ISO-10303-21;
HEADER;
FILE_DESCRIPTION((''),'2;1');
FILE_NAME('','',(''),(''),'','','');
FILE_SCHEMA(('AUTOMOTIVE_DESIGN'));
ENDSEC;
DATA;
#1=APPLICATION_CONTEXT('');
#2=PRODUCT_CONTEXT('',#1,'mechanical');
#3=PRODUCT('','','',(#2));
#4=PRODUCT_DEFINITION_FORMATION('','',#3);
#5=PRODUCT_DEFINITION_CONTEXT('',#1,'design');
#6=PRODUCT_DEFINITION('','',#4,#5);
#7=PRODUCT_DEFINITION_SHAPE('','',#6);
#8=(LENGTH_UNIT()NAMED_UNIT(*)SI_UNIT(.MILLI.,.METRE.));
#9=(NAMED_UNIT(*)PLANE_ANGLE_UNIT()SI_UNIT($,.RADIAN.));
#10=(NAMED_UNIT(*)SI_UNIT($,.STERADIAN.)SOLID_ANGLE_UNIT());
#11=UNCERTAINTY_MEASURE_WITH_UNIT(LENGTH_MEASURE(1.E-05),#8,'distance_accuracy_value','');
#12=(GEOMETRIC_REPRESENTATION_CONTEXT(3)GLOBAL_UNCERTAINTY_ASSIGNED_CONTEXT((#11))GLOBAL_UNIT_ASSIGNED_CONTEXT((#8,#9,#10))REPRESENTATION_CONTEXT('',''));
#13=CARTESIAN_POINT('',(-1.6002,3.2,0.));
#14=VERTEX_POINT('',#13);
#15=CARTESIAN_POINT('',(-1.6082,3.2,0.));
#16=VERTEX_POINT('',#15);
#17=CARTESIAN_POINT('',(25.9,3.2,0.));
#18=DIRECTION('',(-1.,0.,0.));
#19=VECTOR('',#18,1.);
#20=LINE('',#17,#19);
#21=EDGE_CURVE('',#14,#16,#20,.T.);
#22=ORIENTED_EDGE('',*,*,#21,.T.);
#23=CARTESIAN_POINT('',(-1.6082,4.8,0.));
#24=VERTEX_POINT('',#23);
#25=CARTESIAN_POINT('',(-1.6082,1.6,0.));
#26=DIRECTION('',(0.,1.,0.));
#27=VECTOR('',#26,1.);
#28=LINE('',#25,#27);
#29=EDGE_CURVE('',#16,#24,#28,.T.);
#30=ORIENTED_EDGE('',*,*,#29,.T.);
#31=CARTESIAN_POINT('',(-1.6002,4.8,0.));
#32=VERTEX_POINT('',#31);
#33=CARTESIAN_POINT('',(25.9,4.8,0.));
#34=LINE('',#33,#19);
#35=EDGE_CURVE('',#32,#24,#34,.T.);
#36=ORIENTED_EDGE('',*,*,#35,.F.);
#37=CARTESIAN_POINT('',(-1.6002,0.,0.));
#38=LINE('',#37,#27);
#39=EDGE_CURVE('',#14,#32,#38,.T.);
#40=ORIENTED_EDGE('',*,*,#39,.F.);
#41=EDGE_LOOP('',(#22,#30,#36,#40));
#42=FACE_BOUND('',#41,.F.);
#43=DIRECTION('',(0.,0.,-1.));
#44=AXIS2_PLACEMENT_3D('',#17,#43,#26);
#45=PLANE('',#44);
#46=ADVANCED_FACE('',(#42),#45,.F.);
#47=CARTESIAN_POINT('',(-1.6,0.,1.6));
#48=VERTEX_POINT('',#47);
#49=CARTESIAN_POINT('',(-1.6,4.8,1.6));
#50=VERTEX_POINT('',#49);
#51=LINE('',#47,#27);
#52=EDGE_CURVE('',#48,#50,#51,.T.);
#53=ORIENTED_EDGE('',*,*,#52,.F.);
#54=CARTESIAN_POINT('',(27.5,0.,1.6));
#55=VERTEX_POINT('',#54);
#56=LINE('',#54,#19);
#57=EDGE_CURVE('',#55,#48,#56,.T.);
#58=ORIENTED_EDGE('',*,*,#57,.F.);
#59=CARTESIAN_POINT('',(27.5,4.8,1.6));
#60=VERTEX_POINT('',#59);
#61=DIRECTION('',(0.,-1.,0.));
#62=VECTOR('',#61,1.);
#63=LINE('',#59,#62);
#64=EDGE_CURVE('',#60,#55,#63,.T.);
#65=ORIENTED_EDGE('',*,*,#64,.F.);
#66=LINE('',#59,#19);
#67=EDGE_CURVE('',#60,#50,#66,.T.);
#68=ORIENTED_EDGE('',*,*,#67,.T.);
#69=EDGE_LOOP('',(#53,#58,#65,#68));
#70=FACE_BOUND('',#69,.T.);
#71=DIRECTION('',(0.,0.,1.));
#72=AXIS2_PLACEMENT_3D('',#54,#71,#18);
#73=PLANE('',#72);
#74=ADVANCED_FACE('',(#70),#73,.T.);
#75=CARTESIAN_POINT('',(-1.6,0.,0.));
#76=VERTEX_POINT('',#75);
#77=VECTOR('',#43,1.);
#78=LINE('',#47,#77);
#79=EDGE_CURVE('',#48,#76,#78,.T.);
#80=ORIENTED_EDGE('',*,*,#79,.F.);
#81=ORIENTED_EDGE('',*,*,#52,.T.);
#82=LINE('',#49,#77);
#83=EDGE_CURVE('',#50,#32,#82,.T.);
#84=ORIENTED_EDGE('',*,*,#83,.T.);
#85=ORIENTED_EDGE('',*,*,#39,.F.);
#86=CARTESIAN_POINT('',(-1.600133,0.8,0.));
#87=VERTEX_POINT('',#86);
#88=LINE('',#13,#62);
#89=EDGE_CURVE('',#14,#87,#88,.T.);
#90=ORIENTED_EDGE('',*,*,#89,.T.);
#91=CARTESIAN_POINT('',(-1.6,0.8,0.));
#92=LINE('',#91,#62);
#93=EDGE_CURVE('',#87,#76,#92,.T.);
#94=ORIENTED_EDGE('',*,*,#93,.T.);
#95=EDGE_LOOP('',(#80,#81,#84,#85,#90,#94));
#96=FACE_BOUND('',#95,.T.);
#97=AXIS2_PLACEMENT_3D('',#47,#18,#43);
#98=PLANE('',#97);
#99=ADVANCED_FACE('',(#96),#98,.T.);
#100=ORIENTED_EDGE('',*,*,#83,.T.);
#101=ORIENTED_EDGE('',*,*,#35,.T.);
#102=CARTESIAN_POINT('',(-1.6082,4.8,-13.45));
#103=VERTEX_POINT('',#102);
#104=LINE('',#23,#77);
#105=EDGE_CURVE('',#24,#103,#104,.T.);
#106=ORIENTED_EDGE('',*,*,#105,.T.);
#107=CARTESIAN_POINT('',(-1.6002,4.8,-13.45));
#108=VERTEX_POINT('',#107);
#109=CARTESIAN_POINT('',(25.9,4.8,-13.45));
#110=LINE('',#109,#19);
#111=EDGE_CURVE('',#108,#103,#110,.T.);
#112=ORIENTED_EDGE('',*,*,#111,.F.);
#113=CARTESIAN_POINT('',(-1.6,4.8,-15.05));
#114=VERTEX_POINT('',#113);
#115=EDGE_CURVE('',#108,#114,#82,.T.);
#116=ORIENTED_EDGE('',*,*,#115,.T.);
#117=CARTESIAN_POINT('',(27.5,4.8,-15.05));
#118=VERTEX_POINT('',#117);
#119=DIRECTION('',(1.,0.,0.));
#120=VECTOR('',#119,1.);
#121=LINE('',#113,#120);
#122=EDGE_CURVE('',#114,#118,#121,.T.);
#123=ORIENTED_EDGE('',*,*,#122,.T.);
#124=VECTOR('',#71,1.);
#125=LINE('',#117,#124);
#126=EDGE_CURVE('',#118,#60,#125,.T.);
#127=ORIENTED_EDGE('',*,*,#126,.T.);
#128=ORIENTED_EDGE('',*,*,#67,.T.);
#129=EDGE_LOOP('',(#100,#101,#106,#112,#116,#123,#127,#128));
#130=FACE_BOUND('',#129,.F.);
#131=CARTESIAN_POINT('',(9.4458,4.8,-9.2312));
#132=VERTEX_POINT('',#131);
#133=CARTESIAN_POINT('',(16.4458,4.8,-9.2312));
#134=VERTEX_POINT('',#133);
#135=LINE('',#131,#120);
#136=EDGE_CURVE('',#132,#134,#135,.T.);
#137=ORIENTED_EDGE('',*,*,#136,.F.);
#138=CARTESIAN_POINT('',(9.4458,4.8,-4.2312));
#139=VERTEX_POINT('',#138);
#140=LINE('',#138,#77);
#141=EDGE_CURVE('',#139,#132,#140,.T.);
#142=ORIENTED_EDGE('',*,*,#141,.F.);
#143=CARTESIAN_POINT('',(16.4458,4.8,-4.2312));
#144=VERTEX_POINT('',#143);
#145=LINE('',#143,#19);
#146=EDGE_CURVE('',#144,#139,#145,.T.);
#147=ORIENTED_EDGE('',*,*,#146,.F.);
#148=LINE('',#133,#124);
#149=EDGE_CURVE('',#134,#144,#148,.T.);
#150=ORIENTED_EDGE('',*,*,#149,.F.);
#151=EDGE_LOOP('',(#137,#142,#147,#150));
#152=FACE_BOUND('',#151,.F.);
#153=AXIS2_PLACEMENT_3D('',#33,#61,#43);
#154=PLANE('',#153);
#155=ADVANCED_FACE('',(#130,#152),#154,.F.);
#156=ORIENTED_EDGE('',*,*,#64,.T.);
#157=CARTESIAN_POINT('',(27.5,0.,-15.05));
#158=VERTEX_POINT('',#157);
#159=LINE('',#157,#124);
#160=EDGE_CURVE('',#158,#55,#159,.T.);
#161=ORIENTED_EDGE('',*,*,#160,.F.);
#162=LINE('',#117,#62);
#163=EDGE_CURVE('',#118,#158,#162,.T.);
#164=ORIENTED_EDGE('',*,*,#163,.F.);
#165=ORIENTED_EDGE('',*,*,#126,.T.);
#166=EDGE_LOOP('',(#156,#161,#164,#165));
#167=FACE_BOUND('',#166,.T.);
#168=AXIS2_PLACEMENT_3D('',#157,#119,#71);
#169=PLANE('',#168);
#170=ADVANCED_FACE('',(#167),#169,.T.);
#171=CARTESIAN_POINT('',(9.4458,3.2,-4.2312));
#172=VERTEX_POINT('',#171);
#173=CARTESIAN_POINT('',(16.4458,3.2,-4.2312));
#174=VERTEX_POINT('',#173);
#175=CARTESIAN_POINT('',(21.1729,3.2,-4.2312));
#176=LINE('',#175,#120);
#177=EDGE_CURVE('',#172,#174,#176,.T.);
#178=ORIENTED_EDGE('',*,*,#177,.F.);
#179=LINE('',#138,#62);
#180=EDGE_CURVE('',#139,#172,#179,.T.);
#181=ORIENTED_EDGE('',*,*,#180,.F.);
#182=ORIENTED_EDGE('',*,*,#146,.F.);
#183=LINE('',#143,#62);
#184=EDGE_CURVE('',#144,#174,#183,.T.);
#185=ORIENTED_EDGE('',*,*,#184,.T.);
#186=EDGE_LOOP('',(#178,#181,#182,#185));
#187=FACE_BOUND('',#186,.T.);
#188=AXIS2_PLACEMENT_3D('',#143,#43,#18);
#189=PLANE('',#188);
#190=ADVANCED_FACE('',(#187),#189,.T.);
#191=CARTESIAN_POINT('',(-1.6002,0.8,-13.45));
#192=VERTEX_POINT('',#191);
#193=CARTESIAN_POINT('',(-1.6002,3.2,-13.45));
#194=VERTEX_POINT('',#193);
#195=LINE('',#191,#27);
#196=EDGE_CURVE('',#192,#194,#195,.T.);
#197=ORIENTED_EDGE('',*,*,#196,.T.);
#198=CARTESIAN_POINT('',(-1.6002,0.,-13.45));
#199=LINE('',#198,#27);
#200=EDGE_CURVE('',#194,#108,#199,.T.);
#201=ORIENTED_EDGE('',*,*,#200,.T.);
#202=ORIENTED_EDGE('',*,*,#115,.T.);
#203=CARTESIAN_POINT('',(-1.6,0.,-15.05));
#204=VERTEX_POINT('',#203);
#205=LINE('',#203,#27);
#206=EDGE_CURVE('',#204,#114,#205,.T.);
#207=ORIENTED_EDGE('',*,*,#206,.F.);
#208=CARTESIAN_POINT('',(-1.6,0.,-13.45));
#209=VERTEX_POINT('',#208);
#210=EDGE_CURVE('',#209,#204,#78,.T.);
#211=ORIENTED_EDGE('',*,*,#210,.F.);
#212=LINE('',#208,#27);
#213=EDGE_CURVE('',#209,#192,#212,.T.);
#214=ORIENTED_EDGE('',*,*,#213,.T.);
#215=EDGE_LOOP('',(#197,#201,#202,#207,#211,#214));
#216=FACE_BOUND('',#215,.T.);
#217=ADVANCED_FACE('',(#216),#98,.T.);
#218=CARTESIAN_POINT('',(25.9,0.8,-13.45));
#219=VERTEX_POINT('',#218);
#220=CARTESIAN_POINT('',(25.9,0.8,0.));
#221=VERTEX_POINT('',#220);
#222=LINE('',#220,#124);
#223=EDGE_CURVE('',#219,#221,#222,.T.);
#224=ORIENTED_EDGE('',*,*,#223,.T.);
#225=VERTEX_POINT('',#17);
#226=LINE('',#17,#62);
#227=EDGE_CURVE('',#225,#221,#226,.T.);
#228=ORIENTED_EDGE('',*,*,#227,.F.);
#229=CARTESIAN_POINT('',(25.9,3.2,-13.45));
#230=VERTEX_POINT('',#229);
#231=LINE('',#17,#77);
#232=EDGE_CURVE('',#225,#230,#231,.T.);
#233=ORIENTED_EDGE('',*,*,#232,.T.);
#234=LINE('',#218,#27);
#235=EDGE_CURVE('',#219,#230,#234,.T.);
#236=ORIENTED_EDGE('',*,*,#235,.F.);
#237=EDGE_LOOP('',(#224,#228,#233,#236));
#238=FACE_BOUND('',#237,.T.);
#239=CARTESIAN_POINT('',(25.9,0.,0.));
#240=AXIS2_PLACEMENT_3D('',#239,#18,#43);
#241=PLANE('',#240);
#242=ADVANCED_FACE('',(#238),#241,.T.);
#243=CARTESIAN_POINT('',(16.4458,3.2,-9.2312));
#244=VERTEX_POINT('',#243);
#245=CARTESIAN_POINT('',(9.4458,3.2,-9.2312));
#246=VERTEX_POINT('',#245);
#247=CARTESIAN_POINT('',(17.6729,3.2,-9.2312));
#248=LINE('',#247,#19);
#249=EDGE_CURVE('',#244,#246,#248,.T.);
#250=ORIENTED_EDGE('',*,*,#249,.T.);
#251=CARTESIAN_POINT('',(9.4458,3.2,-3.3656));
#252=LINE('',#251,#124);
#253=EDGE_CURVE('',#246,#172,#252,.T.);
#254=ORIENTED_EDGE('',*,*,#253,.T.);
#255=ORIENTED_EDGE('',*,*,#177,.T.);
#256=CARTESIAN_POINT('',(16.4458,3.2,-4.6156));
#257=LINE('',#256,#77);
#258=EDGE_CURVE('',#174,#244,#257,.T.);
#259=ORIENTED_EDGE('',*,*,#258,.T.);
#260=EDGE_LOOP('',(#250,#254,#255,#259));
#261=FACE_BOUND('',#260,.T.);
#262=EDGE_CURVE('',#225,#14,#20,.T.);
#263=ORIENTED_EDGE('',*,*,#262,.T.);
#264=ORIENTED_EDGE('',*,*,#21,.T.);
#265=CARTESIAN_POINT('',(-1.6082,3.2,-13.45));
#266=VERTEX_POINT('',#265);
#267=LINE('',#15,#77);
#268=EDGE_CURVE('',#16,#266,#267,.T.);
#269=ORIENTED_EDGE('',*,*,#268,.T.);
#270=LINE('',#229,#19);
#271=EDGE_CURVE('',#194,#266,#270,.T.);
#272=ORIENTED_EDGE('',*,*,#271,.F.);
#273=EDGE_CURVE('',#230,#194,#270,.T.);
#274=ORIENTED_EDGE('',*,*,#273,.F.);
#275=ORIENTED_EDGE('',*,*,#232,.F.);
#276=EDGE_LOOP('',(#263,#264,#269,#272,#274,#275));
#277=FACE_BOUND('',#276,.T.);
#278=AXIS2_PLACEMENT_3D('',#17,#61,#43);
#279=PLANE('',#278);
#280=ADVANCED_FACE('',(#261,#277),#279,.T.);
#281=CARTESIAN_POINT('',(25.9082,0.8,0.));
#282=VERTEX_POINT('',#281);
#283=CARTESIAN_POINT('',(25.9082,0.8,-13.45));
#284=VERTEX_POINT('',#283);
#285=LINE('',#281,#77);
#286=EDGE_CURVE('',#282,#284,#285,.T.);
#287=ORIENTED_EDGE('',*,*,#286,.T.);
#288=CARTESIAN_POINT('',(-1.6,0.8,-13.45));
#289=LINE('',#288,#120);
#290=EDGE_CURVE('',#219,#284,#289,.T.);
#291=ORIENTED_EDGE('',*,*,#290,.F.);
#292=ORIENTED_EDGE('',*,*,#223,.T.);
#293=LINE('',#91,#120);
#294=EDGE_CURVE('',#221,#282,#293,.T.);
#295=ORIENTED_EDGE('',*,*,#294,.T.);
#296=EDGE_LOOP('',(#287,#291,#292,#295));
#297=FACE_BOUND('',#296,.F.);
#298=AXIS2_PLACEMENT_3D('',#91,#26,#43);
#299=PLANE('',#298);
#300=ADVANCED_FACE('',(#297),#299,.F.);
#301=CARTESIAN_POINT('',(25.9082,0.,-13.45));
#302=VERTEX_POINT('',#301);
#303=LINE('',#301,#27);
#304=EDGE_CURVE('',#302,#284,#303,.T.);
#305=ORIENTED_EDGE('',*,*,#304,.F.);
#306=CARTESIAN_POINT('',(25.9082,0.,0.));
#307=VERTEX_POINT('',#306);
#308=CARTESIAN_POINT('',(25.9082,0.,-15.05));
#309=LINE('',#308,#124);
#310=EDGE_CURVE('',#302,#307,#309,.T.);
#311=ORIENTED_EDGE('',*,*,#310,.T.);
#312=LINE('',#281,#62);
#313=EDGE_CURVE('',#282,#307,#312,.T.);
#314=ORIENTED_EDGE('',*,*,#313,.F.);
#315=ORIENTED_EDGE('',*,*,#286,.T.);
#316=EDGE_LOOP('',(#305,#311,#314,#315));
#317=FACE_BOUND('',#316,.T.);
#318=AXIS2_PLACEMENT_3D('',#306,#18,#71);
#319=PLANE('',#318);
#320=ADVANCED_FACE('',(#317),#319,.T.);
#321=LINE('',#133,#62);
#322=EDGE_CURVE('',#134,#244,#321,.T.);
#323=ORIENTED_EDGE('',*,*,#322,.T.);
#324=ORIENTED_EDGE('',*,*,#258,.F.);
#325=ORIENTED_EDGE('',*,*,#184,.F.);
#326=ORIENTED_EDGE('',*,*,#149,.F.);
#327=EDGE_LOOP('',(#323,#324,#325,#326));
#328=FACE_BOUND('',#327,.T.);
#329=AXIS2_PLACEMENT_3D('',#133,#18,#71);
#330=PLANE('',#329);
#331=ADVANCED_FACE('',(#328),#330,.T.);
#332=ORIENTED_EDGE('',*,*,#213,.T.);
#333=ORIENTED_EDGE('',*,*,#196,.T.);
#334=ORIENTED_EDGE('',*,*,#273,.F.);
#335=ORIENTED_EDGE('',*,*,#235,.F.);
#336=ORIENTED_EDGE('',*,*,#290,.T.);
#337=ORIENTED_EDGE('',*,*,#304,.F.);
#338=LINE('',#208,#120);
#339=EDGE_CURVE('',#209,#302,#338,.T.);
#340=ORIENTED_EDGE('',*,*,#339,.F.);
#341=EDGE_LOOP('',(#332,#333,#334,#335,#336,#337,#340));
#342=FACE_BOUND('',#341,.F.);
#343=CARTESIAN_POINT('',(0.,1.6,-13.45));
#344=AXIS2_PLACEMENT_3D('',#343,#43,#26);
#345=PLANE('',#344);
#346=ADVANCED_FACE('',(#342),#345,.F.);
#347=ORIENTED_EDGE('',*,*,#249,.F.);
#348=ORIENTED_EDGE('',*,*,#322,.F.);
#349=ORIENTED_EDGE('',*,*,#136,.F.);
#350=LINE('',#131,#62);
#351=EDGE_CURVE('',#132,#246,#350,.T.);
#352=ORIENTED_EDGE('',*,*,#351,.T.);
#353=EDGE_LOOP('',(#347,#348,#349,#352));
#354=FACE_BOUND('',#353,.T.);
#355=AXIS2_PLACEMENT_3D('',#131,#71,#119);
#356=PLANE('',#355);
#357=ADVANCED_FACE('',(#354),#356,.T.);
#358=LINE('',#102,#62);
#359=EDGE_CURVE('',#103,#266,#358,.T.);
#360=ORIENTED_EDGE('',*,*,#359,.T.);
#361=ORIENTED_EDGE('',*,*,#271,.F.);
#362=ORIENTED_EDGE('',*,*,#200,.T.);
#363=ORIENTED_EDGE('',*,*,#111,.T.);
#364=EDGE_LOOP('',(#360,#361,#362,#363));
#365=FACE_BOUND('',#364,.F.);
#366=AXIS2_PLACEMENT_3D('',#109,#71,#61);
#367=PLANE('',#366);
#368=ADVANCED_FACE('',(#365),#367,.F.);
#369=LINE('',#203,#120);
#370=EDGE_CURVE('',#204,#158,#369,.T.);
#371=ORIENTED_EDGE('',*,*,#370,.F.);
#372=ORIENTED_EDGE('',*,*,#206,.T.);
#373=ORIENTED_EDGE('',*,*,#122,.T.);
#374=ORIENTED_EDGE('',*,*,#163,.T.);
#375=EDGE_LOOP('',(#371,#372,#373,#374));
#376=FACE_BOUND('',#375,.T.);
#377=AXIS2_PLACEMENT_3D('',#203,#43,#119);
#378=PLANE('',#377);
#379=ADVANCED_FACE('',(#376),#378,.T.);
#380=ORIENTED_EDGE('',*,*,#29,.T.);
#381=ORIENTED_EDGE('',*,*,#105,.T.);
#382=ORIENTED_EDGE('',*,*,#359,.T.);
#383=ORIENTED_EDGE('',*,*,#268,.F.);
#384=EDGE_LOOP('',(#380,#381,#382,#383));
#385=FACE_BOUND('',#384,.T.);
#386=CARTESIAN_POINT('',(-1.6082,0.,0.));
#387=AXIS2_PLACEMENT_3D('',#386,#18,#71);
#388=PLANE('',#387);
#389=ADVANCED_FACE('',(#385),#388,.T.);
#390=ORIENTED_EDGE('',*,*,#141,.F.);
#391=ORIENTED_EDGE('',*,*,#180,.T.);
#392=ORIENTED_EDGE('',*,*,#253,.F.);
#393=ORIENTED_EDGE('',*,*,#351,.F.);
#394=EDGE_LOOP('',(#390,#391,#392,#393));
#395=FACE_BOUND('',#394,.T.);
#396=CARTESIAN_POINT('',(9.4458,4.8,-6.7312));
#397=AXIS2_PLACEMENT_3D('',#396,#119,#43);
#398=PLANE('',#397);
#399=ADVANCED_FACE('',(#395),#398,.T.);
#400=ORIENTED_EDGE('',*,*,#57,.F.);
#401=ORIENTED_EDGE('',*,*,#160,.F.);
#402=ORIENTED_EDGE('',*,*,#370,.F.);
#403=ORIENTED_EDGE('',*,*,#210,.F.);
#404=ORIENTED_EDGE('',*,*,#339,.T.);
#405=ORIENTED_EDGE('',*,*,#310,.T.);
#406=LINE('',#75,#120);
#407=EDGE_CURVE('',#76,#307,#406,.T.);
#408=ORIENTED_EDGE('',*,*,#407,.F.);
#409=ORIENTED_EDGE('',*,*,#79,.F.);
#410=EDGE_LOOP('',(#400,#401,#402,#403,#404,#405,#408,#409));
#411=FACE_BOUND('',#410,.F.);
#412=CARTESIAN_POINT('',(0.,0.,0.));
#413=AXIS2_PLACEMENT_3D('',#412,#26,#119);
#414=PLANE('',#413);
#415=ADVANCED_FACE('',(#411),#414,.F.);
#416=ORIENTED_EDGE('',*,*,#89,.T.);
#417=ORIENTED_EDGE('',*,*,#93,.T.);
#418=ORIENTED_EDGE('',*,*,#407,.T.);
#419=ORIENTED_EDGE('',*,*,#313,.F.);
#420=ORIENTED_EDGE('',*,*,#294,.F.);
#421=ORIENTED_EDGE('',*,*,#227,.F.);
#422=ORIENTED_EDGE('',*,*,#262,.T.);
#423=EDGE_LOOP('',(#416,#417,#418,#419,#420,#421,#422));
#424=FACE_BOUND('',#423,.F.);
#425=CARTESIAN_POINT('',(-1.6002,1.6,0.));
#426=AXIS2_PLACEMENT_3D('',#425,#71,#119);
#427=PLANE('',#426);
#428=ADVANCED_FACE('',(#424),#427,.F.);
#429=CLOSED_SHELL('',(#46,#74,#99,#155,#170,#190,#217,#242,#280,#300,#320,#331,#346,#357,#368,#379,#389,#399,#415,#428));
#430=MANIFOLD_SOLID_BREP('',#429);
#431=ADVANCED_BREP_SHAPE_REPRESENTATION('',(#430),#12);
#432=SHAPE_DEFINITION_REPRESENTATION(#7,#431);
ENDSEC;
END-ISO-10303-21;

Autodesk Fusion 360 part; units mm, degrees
sketch "Sketch1" plane through (0, 0, 0) normal (0, 1, 0) x (1, 0, 0)
  line L0 (0, 0) -> (25.9, 0)
  line L1 (25.9, 0) -> (25.9, 13.45)
  line L2 (25.9, 13.45) -> (0, 13.45)
  line L3 (0, 13.45) -> (0, 0)
  line L4 (-1.6, 15.05) -> (27.5, 15.05)
  line L5 (27.5, 15.05) -> (27.5, -1.6)
  line L6 (27.5, -1.6) -> (-1.6, -1.6)
  line L7 (-1.6, -1.6) -> (-1.6, 15.05)
  dimension "d1" = 25.9
  dimension "d2" = 13.45
  dimension "d3" = 1.6
  dimension "d4" = 1.6
  dimension "d5" = 1.6
  dimension "d6" = 1.6
extrude "Extrude1" add sketch "Sketch1" along normal blind 1.6 contours L0 L1 L2 L3 | L4 L5 L6 L7
extrude "Extrude2" add sketch "Sketch1" along normal blind 4.8
extrude "Extrude3" cut 1 faces at (0, 2.6667, -8.9667) along direction (-1, 0, 0) blind 1.6002
sketch "Sketch2" plane through (25.9, 0, 0) normal (-1, 0, 0) x (0, 0, 1)
  line L0 (-13.45, 1.6) -> (0, 1.6)
  line L1 (0, 1.6) -> (0, 4.8)
  line L2 (0, 4.8) -> (-13.45, 4.8)
  line L3 (-13.45, 4.8) -> (-13.45, 1.6)
  line L4 (-13.45, 4.8) -> (0, 4.8)
  line L5 (0, 4.8) -> (0, 3.2)
  line L6 (0, 3.2) -> (-13.45, 3.2)
  line L7 (-13.45, 3.2) -> (-13.45, 4.8)
  dimension "d13" = 1.6
extrude "Extrude4" add sketch "Sketch2" along normal blind 27.5082 contours L1 L2 L3 L4 L5 L6 L7
sketch "Sketch3" plane through (0, 4.8, 0) normal (0, 1, 0) x (-1, 0, 0)
  line L0 (1.6, 0) -> (1.6, 1.6)
  line L1 (1.6, 1.6) -> (-27.5, 1.6)
  line L2 (-27.5, 1.6) -> (-27.5, -15.05)
  line L3 (-27.5, -15.05) -> (1.6, -15.05)
  line L4 (1.6, -15.05) -> (1.6, -13.45)
  line L5 (1.6, -13.45) -> (1.6082, -13.45)
  line L6 (1.6082, -13.45) -> (1.6082, 0)
  line L7 (1.6082, 0) -> (1.6, 0)
  line L8 (-9.4458, -9.2312) -> (-16.4458, -9.2312)
  line L9 (-16.4458, -9.2312) -> (-16.4458, -4.2312)
  line L10 (-16.4458, -4.2312) -> (-9.4458, -4.2312)
  line L11 (-9.4458, -4.2312) -> (-9.4458, -9.2312)
  line L12 (-9.4458, -9.2312) -> (-12.9458, -9.2312)
  line L13 (-12.9458, -9.2312) -> (-12.9458, -6.7312)
  line L14 (-12.9458, -6.7312) -> (-9.4458, -6.7312)
  line L15 (-9.4458, -6.7312) -> (-9.4458, -9.2312)
  dimension "d16" = 7
  dimension "d17" = 5
  dimension "d18" = 16.65
  dimension "d19" = 29.1
  dimension "d20" = 14.5542
  dimension "d21" = 8.3312
extrude "Extrude5" cut sketch "Sketch3" against normal blind 2.54 contours L8 L11 L12 L13 L14 L15 | L8 L9 L10 L11 L13 L14
extrude "Extrude6" cut 1 faces at (16.7333, 1.6, -4.4833) along direction (0, -1, 0) blind 0.8
sketch "Sketch4" plane through (-1.6, 0, 0) normal (-1, 0, 0) x (0, 0, 1)
  line L0 (0, 3.2) -> (0, 0.8)
  line L1 (0, 0.8) -> (-13.45, 0.8)
  line L2 (-13.45, 0.8) -> (-13.45, 3.2)
  line L3 (-13.45, 3.2) -> (-13.45, 4.8)
  line L4 (-13.45, 4.8) -> (-15.05, 4.8)
  line L5 (-15.05, 4.8) -> (-15.05, 0)
  line L6 (-15.05, 0) -> (1.6, 0)
  line L7 (1.6, 0) -> (1.6, 4.8)
  line L8 (1.6, 4.8) -> (0, 4.8)
  line L9 (0, 4.8) -> (0, 3.2)
  line L10 (-13.45, 0.8) -> (0, 0.8)
  line L11 (0, 0.8) -> (0, 0)
  line L12 (0, 0) -> (-13.45, 0)
  line L13 (-13.45, 0) -> (-13.45, 0.8)
extrude "Extrude7" cut sketch "Sketch4" against normal blind 27.5082 contours L1 L6 L10 L11 L12 L13
equation "d9 = 1.6 * 3 mm"
equation "d20 = ( 1.146 / 2 ) * 1 in"
equation "d21 = ( 0.656 / 2 ) * 1 in"
equation "d24 = -( 1.6 / 2 ) * 1 mm"
